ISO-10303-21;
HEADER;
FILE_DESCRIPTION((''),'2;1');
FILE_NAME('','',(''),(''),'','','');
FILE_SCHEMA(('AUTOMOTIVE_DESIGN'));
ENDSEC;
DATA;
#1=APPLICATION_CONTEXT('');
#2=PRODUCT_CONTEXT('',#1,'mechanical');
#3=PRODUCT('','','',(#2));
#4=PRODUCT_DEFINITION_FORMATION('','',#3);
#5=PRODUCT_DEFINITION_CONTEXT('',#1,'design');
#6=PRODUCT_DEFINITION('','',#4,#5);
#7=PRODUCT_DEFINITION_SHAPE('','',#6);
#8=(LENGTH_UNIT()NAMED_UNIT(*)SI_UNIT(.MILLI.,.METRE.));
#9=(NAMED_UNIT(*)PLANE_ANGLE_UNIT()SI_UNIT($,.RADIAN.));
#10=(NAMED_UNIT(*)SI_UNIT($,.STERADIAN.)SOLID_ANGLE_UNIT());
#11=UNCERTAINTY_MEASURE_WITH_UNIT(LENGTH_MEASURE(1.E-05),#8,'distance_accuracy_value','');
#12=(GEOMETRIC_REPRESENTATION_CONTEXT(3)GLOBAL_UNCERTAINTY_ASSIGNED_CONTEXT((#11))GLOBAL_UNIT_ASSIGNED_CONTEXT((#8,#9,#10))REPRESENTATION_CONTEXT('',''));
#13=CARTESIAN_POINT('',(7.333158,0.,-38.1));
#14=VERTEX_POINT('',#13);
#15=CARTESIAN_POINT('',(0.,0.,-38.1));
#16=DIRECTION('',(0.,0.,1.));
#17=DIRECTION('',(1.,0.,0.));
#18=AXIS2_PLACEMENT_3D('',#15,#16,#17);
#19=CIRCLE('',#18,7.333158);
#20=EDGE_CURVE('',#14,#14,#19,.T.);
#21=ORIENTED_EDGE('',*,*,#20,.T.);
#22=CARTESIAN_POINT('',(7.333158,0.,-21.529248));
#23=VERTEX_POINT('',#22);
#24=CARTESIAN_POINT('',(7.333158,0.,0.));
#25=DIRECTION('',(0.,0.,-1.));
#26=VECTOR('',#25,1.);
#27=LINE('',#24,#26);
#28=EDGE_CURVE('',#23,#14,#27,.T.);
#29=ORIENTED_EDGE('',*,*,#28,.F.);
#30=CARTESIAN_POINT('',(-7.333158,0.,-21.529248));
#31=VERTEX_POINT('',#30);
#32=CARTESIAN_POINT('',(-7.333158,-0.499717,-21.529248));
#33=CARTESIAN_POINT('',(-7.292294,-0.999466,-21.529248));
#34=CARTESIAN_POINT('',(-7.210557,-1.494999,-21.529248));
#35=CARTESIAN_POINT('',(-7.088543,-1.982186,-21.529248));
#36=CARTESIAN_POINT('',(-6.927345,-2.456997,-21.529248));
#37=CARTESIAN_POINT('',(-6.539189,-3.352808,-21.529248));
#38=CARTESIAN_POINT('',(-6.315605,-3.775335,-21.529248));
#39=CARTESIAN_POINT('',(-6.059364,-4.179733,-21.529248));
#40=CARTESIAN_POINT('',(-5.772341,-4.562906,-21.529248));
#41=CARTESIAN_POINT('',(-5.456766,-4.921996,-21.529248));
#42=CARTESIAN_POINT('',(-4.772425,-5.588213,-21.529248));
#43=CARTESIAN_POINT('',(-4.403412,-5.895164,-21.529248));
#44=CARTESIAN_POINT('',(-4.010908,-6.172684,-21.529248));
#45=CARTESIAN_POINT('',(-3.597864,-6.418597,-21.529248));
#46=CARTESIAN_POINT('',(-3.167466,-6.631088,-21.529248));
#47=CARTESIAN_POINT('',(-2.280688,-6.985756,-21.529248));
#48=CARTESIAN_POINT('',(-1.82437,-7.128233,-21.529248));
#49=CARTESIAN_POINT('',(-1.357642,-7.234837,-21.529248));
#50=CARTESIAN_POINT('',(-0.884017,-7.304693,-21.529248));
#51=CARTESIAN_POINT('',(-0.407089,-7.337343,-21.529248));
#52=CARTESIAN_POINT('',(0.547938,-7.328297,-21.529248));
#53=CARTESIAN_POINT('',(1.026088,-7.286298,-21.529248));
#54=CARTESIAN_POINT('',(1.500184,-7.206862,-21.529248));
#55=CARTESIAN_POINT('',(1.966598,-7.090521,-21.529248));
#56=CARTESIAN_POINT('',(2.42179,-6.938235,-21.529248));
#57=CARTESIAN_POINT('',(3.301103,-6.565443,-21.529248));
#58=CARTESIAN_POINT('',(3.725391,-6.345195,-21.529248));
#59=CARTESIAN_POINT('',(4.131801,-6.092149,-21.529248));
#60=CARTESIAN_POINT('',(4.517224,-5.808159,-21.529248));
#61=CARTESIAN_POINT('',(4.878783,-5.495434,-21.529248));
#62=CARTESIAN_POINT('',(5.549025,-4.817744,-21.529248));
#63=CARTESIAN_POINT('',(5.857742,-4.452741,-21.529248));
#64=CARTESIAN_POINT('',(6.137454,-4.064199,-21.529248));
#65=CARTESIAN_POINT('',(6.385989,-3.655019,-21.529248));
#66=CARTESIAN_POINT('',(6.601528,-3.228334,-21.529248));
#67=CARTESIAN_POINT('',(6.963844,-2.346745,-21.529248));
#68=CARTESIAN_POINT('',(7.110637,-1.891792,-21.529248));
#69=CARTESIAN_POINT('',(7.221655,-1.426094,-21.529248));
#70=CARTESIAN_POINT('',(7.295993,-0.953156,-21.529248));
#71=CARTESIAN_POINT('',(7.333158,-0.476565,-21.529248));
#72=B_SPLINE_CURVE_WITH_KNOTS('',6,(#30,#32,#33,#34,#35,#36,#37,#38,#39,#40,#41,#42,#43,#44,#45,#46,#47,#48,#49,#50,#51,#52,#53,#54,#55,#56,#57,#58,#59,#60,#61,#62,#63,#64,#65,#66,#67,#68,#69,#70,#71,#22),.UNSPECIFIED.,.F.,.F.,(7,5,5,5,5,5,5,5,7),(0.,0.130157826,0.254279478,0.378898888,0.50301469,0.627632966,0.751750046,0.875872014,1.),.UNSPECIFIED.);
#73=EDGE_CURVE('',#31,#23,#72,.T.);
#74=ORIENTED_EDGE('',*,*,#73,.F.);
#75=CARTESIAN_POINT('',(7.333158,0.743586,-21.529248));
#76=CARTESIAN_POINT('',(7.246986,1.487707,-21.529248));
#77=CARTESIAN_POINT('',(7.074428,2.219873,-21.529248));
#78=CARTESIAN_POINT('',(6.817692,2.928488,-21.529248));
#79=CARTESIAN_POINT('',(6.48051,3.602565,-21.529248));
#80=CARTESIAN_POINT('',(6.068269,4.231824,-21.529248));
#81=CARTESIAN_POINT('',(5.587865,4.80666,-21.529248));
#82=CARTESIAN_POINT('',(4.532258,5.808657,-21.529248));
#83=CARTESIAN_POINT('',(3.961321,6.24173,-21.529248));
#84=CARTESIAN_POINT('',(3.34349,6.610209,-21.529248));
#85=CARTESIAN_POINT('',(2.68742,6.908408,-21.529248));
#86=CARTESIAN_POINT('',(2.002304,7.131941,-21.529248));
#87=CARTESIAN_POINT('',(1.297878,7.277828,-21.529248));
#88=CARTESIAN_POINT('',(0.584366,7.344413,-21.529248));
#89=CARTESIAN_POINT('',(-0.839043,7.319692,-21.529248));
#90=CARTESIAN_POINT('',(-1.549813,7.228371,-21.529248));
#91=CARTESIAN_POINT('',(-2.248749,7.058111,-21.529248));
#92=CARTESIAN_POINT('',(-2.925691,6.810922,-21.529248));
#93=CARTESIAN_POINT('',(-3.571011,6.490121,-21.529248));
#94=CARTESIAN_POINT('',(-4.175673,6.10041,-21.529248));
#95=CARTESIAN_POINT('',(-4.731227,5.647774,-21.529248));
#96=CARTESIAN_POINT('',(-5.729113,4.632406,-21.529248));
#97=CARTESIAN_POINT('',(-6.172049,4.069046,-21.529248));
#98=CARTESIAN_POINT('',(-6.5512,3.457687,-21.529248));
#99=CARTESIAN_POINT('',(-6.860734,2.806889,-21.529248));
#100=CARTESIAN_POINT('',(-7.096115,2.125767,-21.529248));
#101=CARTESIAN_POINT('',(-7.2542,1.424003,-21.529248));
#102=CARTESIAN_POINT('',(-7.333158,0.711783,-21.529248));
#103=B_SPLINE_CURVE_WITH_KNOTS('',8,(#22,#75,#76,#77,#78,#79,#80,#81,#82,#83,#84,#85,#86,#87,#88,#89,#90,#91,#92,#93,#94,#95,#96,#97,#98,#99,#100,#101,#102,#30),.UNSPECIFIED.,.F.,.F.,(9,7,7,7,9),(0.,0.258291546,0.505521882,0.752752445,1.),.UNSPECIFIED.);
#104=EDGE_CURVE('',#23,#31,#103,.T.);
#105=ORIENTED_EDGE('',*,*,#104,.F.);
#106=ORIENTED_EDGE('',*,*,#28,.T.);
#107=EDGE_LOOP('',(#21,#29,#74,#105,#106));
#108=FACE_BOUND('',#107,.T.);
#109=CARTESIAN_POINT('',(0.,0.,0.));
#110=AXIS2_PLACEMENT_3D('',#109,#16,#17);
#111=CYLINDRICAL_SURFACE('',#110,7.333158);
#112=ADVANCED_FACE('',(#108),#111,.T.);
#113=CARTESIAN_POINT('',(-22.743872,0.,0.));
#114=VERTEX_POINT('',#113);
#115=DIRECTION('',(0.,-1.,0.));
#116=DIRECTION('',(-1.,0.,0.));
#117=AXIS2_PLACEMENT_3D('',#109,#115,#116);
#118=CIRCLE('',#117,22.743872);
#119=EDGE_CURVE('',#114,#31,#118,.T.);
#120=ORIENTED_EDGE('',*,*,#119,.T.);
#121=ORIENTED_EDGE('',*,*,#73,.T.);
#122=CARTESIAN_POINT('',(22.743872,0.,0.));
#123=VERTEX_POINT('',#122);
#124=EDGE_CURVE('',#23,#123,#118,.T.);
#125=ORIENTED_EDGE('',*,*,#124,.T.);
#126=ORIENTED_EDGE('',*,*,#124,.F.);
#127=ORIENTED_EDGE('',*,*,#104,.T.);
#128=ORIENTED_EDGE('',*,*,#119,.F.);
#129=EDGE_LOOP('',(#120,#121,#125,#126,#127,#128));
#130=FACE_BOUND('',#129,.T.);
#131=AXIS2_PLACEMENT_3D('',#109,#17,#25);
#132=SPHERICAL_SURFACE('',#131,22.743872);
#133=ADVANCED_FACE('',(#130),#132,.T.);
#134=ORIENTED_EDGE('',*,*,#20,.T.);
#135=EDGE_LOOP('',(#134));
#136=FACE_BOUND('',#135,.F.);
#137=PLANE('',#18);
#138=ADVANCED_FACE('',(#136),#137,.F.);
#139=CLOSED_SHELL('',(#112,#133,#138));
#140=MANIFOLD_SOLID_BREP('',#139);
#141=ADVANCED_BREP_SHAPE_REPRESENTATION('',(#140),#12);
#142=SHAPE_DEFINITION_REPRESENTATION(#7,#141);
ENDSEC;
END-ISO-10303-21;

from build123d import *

# Parameters (mm, degrees)
F2_R     = 7.333158
F3_DEPTH = 38.1


with BuildPart() as f1:
    # F0 (on Front) → F1 (revolve)
    with BuildSketch(Plane.XZ):
        with BuildLine():
            ThreePointArc((-22.743872, 0), (0, -22.743872), (22.743872, 0))
            Line((22.743872, 0), (-22.743872, 0))
        make_face()
    revolve(axis=Axis((0, 0, 0), (1, 0, 0)))

    # F2 (on Top) → F3 (join)
    with BuildSketch(Plane.XY):
        Circle(F2_R)
    extrude(amount=-F3_DEPTH)


solid = f1.part
